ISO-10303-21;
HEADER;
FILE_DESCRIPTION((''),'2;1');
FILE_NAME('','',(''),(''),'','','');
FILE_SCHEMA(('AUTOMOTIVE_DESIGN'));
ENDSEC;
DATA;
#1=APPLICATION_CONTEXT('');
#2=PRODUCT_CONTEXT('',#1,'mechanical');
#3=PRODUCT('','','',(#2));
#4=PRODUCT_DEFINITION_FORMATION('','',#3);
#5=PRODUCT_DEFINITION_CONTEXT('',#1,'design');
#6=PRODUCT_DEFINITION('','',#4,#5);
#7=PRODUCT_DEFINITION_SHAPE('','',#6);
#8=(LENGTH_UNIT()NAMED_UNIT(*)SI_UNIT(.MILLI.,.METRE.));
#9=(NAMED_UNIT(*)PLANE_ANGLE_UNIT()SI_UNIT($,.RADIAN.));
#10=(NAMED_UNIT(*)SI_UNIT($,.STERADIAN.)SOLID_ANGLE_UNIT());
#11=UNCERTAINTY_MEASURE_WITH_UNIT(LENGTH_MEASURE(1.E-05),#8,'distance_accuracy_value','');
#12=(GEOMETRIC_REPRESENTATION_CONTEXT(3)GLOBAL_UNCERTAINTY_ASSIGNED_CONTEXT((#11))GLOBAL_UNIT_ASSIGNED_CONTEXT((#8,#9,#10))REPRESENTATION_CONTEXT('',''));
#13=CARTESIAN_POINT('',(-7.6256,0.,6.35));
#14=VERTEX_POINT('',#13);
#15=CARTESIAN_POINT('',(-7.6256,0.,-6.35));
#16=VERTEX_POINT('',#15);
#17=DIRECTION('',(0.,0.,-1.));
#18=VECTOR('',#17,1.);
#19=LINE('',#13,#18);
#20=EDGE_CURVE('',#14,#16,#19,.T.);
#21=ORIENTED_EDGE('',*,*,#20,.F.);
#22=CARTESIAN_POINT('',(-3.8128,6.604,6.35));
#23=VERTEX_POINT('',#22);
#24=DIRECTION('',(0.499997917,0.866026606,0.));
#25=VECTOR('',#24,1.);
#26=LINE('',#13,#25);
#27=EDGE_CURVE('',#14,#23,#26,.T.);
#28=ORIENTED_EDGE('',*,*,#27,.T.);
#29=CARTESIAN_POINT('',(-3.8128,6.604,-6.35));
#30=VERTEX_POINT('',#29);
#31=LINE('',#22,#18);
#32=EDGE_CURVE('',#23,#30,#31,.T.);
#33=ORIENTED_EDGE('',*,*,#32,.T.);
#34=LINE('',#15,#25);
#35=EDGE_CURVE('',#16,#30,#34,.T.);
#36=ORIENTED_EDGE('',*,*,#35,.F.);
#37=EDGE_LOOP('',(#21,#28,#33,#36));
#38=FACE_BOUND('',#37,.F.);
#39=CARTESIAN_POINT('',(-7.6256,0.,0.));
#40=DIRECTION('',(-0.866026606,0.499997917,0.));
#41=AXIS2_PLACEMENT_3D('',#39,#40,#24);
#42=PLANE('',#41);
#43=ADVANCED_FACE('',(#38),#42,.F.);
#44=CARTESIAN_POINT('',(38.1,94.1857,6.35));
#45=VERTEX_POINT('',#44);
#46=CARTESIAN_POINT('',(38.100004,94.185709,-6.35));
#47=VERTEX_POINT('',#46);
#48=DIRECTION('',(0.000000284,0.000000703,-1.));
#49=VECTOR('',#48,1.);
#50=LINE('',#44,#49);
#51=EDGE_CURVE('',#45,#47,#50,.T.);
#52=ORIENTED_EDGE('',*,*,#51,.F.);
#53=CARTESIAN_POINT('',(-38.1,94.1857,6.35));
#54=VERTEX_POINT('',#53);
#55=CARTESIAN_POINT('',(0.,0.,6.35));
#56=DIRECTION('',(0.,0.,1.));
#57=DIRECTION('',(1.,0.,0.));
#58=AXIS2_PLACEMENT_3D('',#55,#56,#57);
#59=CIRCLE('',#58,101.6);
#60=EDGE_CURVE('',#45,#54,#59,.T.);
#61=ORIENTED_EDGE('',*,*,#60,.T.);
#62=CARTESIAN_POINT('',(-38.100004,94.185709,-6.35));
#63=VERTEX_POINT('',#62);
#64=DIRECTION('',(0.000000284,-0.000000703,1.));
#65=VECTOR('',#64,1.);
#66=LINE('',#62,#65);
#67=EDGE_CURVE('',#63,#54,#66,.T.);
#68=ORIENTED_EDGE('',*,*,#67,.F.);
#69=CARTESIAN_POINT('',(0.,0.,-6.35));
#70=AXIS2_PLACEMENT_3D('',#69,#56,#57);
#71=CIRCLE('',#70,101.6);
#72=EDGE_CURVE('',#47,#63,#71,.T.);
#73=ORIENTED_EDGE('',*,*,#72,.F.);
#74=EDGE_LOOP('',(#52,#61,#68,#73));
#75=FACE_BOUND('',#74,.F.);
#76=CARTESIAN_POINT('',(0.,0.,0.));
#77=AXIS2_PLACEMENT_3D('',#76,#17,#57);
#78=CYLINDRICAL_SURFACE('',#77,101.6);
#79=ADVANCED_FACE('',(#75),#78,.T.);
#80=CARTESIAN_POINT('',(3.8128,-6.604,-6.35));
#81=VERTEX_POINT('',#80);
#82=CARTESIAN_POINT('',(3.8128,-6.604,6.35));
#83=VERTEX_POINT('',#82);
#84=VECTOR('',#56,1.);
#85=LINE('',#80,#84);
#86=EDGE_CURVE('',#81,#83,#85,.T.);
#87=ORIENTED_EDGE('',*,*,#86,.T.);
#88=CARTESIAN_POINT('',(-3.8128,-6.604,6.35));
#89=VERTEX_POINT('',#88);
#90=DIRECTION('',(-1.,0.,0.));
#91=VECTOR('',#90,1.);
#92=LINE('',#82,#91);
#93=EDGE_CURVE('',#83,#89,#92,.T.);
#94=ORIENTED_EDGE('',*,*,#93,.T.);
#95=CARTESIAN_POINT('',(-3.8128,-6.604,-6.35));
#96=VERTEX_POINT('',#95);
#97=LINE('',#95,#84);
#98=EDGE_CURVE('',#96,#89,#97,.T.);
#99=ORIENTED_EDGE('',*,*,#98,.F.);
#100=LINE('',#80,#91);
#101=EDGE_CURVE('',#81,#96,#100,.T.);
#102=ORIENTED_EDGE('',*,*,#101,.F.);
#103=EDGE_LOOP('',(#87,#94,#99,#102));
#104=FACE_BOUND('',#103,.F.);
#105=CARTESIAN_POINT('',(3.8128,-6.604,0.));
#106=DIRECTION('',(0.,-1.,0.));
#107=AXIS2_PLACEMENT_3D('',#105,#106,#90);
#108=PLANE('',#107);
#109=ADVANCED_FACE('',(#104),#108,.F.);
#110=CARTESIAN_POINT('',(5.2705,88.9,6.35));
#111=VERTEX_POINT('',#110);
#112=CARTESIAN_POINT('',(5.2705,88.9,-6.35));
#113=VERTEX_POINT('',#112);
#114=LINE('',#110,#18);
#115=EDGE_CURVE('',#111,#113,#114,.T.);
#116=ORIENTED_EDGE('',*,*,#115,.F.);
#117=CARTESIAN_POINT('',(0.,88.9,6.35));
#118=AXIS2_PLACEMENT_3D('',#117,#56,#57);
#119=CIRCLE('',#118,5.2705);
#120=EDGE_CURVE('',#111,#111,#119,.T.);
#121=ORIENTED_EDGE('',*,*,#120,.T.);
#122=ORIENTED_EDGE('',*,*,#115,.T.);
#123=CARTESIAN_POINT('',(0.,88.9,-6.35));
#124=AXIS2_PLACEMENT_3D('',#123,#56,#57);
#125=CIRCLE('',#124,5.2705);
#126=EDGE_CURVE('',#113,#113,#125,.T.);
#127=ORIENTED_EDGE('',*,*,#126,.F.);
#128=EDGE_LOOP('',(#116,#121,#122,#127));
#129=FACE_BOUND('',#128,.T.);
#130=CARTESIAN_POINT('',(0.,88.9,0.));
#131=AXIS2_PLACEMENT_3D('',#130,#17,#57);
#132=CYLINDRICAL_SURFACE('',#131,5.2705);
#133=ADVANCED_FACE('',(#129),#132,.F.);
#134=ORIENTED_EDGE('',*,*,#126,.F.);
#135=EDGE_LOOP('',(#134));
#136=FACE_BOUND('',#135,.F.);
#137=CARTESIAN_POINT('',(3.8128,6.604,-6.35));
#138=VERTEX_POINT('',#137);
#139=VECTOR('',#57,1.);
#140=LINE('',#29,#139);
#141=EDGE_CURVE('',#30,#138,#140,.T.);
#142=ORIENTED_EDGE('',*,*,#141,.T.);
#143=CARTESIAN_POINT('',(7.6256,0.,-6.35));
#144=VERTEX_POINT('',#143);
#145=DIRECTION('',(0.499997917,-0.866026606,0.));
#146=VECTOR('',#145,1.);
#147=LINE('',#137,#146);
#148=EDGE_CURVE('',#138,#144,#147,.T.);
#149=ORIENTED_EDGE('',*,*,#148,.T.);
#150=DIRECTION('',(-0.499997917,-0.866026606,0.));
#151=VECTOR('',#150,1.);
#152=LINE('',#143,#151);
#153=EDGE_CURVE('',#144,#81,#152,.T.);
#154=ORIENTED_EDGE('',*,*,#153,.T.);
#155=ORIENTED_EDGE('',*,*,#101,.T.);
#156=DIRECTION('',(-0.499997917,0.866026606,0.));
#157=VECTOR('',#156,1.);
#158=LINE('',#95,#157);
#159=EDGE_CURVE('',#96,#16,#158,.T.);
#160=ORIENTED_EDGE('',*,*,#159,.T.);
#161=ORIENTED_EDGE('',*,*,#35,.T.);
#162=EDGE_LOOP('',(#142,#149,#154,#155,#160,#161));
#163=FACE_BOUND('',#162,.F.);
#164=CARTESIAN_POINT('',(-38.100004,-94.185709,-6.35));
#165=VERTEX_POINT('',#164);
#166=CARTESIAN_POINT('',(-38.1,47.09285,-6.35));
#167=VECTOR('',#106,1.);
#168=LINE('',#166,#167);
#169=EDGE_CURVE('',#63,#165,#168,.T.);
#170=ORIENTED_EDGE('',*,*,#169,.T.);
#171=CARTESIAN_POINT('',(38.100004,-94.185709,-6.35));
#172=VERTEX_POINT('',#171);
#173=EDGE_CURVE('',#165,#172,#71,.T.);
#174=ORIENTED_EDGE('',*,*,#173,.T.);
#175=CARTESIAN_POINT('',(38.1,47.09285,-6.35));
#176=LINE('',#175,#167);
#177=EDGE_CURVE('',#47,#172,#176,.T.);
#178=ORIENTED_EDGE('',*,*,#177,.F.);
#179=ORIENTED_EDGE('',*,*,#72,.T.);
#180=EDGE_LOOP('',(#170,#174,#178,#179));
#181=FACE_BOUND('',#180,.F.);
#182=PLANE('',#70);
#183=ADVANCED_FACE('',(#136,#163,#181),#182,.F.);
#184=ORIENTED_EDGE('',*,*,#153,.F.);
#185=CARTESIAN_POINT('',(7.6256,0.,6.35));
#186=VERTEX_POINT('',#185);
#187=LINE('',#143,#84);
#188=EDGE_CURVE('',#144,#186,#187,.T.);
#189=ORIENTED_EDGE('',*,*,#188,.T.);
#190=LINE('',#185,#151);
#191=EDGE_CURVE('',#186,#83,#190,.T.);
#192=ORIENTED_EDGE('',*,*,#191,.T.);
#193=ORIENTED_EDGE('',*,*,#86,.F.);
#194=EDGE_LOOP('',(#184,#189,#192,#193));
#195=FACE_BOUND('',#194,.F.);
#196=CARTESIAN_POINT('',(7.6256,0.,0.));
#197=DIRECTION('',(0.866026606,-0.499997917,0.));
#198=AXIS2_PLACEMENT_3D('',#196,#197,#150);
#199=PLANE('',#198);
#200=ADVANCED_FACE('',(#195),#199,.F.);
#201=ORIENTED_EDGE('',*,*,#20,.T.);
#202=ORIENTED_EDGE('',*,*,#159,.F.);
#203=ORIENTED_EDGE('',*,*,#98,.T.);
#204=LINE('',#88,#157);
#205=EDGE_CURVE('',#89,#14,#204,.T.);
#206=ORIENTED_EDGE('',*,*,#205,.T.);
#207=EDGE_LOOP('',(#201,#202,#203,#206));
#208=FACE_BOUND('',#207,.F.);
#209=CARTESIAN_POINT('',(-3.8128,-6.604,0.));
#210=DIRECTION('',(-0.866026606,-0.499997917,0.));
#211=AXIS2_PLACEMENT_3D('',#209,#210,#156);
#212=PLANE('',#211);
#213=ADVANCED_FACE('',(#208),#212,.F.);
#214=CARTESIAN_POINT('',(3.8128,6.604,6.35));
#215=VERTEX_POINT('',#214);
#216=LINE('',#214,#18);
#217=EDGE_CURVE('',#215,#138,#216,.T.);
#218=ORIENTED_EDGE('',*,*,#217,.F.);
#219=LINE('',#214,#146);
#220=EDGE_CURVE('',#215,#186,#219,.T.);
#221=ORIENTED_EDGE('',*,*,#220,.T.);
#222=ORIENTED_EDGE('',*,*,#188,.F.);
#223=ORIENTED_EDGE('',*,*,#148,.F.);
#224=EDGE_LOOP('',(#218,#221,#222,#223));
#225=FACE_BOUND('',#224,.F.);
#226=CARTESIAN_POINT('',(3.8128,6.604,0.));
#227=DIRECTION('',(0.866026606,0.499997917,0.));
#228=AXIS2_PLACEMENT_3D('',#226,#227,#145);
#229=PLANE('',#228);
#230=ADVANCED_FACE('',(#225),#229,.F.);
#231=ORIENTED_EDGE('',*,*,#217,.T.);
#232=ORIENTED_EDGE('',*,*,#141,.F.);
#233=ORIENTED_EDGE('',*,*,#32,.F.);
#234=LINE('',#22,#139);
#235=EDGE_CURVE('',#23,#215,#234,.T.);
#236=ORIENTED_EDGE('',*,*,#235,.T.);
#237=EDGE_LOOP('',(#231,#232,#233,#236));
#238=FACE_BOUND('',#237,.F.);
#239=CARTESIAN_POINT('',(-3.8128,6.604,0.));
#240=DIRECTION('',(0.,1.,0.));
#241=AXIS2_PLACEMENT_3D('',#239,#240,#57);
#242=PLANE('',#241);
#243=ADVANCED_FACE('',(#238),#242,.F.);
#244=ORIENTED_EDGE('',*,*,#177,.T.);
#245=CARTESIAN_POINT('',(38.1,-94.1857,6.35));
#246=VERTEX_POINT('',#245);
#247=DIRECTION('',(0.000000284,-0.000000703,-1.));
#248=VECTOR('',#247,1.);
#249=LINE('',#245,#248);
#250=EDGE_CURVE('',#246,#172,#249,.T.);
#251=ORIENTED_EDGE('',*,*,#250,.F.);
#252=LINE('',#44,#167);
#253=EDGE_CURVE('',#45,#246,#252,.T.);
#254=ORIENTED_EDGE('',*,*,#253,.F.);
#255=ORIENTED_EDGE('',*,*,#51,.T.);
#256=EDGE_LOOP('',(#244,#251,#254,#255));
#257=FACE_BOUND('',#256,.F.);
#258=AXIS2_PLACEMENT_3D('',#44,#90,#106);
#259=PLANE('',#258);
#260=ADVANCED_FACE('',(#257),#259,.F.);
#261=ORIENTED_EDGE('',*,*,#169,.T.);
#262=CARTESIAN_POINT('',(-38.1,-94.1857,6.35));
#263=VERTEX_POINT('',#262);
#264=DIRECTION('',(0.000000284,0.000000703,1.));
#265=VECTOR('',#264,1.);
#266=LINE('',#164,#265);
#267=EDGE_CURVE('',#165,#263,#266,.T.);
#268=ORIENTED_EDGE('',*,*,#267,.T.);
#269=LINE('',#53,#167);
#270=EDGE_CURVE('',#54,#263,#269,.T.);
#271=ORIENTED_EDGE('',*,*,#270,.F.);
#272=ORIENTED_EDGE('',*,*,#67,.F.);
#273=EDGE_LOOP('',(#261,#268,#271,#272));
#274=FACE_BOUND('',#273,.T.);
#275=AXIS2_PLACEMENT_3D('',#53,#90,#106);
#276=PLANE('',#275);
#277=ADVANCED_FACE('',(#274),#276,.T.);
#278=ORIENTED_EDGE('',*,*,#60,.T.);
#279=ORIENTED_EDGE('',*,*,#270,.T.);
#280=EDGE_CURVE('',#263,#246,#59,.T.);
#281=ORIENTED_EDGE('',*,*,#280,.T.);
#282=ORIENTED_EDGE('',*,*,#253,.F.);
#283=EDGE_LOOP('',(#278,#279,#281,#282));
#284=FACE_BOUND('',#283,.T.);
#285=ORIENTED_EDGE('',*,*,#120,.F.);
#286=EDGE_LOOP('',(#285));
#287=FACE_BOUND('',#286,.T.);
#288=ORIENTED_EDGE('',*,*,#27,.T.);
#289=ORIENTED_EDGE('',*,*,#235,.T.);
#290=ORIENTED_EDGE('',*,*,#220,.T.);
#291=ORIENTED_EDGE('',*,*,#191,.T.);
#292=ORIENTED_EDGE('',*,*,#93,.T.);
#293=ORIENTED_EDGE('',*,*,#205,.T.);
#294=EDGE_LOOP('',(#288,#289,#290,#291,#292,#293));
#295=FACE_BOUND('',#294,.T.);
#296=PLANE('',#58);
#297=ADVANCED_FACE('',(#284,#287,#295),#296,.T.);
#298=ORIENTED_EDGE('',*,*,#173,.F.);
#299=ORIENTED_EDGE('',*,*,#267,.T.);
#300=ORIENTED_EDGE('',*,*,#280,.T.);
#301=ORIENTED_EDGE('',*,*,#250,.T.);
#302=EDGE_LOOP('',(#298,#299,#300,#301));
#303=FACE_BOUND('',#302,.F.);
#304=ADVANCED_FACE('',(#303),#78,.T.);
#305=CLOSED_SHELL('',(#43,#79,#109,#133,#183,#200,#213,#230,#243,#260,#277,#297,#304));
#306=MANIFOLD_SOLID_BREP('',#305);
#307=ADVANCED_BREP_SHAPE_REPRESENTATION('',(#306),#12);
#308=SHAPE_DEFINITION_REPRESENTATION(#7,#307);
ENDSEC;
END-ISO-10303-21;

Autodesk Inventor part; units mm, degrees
ref_plane "YZ Plane" through (0, 0, 0) normal (1, 0, 0) x (0, 1, 0)
ref_plane "XZ Plane" through (0, 0, 0) normal (0, 1, 0) x (-1, 0, 0)
ref_plane "XY Plane" through (0, 0, 0) normal (0, 0, 1) x (1, 0, 0)
sketch "Sketch1" plane through (0, 0, 0) normal (0, 0, 1) x (1, 0, 0)
  circle A0 centre (0, 0) radius 101.6
  line L0 (7.6256, 0) -> (3.8128, -6.604)
  line L1 (3.8128, -6.604) -> (-3.8128, -6.604)
  line L2 (-3.8128, -6.604) -> (-7.6256, 0)
  line L3 (-7.6256, 0) -> (-3.8128, 6.604)
  line L4 (-3.8128, 6.604) -> (3.8128, 6.604)
  line L5 (3.8128, 6.604) -> (7.6256, 0)
  circle A1 centre (0, 88.9) radius 5.2705
  dimension "d0" = 203.2
  dimension "d1" = 13.208
  dimension "d2" = 10.541
  dimension "d5" = 88.9
extrude "Extrusion1" add sketch "Sketch1" along normal mid plane 12.7
sketch "Sketch4" plane through (0, 0, 6.35) normal (0, 0, 1) x (1, 0, 0)
  circle A0 centre (0, 0) radius 101.6 projected
  line L0 (-38.1, 94.1857) -> (-38.1, -94.1857)
  line L1 (38.1, 94.1857) -> (38.1, -94.1857)
  arc A1 (-38.1, 94.1857) -> (-38.1, -94.1857) centre (0, 0) ccw
  arc A2 (38.1, -94.1857) -> (38.1, 94.1857) centre (0, 0) ccw
  dimension "d18" = 38.1
  dimension "d19" = 38.1
extrude "Extrusion4" cut sketch "Sketch4" against normal through all contours A0 L1 | L0 A0
sketch "Sketch2" plane through (0, 0, 6.35) normal (0, 0, 1) x (1, 0, 0)
  circle A0 centre (-63.5, 0) radius 25.4
  circle A1 centre (-31.75, -54.9926) radius 25.4
  circle A2 centre (31.75, -54.9926) radius 25.4
  circle A3 centre (63.5, 0) radius 25.4
  circle A4 centre (31.75, 54.9926) radius 25.4
  circle A5 centre (-31.75, 54.9926) radius 25.4
  point P0 (0, 0)
  dimension "d6" = 50.8
  dimension "d7" = 63.5
  dimension "d10" = 360
properties part number "driveForPiston-7-inV03" material "PET Plastic"
